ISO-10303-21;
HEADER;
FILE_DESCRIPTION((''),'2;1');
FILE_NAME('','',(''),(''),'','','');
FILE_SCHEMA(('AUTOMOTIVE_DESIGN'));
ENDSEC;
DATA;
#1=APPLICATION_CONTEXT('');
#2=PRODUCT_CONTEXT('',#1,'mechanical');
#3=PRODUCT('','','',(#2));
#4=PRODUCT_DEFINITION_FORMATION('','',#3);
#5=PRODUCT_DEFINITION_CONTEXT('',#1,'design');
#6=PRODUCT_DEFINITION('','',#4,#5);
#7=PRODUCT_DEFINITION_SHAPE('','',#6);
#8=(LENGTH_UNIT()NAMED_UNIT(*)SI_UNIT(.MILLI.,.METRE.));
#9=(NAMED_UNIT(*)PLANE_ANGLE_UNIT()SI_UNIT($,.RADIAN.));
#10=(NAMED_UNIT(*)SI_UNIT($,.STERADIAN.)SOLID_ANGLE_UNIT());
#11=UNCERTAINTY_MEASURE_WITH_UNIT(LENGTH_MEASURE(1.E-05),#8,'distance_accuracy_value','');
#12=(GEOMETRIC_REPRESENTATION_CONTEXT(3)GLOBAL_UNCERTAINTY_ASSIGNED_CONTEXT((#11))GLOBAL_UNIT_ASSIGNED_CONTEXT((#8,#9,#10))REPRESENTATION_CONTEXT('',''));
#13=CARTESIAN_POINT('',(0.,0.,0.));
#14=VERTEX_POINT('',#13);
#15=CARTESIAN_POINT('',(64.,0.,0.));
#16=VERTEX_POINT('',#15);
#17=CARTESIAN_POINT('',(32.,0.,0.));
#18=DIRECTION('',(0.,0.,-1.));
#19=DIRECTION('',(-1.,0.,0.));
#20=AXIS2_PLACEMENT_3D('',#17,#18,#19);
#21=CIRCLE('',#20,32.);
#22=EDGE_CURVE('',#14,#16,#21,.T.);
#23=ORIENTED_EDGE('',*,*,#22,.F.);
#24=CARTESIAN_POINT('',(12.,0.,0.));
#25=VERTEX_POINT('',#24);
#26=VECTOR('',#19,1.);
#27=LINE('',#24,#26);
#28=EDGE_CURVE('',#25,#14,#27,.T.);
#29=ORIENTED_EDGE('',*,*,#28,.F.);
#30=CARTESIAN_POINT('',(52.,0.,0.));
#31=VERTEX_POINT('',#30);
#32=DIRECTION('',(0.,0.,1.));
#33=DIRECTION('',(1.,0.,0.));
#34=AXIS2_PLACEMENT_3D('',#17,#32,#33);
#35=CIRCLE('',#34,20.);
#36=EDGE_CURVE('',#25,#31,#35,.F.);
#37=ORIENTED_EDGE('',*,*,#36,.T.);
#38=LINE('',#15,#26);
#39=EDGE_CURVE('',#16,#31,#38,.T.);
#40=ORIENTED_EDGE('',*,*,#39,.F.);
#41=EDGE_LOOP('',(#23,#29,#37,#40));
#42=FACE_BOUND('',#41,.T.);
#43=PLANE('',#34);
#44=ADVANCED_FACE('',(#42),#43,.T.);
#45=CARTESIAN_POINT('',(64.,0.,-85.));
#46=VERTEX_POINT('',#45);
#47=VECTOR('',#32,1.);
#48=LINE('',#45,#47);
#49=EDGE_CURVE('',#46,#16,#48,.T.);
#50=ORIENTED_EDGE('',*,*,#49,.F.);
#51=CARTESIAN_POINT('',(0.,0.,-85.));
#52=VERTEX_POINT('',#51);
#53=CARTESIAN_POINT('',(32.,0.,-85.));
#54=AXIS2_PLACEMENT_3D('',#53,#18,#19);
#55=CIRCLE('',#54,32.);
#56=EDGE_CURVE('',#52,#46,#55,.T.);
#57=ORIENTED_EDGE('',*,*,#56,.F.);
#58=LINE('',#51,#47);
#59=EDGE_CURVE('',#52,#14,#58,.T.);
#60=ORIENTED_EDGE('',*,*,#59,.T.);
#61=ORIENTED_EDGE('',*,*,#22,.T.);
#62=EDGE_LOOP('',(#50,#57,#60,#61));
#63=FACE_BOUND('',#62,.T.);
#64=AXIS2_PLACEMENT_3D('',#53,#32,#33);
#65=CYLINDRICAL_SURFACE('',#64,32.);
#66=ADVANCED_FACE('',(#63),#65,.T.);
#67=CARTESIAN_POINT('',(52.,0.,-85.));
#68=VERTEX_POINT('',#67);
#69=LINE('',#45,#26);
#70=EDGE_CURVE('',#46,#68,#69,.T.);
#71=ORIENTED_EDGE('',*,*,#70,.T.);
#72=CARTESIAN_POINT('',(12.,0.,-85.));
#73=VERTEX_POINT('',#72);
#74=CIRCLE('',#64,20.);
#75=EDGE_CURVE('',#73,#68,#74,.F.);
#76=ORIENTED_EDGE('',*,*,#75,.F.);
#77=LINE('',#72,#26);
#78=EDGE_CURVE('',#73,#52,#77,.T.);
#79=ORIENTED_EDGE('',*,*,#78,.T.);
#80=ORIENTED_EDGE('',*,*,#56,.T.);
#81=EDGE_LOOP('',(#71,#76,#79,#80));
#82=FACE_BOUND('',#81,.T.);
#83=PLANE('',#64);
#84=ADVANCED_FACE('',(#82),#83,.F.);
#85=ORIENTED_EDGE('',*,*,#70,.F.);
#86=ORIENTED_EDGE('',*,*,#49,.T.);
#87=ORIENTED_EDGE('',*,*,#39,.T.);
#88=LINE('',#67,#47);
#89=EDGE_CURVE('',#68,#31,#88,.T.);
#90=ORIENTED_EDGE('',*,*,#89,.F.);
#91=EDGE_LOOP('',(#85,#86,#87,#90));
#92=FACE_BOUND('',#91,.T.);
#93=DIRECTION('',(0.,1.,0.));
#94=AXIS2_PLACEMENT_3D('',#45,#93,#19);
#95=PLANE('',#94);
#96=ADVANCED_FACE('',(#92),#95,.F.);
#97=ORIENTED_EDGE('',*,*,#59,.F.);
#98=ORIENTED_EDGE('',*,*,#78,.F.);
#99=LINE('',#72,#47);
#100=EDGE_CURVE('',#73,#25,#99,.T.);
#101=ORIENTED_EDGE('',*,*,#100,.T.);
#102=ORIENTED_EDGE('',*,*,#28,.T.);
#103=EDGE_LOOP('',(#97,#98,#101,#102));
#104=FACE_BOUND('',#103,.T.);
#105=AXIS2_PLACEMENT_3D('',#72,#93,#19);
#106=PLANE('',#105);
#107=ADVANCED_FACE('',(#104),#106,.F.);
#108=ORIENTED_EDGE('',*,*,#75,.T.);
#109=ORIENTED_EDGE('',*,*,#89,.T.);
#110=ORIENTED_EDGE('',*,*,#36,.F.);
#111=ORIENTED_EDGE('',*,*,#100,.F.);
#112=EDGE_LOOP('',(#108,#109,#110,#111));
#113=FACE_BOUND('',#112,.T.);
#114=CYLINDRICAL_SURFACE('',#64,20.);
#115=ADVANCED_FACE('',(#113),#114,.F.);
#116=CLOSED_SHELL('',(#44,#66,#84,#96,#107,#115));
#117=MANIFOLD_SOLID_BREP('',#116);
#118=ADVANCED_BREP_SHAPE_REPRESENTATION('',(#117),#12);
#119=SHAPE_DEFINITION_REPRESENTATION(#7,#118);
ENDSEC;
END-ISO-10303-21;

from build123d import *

# Parameters (mm, degrees)
EXTRUDE_THIN2_DEPTH = 85


with BuildPart() as part:
    # Sketch1 → Extrude-Thin2 (new body)
    with BuildSketch(Plane.XY):
        with BuildLine():
            ThreePointArc((0, 0), (32, 32), (64, 0))
            Line((64, 0), (52, 0))
            ThreePointArc((52, 0), (32, 20), (12, 0))
            Line((12, 0), (0, 0))
        make_face()
    extrude(amount=-EXTRUDE_THIN2_DEPTH)


solid = part.part
